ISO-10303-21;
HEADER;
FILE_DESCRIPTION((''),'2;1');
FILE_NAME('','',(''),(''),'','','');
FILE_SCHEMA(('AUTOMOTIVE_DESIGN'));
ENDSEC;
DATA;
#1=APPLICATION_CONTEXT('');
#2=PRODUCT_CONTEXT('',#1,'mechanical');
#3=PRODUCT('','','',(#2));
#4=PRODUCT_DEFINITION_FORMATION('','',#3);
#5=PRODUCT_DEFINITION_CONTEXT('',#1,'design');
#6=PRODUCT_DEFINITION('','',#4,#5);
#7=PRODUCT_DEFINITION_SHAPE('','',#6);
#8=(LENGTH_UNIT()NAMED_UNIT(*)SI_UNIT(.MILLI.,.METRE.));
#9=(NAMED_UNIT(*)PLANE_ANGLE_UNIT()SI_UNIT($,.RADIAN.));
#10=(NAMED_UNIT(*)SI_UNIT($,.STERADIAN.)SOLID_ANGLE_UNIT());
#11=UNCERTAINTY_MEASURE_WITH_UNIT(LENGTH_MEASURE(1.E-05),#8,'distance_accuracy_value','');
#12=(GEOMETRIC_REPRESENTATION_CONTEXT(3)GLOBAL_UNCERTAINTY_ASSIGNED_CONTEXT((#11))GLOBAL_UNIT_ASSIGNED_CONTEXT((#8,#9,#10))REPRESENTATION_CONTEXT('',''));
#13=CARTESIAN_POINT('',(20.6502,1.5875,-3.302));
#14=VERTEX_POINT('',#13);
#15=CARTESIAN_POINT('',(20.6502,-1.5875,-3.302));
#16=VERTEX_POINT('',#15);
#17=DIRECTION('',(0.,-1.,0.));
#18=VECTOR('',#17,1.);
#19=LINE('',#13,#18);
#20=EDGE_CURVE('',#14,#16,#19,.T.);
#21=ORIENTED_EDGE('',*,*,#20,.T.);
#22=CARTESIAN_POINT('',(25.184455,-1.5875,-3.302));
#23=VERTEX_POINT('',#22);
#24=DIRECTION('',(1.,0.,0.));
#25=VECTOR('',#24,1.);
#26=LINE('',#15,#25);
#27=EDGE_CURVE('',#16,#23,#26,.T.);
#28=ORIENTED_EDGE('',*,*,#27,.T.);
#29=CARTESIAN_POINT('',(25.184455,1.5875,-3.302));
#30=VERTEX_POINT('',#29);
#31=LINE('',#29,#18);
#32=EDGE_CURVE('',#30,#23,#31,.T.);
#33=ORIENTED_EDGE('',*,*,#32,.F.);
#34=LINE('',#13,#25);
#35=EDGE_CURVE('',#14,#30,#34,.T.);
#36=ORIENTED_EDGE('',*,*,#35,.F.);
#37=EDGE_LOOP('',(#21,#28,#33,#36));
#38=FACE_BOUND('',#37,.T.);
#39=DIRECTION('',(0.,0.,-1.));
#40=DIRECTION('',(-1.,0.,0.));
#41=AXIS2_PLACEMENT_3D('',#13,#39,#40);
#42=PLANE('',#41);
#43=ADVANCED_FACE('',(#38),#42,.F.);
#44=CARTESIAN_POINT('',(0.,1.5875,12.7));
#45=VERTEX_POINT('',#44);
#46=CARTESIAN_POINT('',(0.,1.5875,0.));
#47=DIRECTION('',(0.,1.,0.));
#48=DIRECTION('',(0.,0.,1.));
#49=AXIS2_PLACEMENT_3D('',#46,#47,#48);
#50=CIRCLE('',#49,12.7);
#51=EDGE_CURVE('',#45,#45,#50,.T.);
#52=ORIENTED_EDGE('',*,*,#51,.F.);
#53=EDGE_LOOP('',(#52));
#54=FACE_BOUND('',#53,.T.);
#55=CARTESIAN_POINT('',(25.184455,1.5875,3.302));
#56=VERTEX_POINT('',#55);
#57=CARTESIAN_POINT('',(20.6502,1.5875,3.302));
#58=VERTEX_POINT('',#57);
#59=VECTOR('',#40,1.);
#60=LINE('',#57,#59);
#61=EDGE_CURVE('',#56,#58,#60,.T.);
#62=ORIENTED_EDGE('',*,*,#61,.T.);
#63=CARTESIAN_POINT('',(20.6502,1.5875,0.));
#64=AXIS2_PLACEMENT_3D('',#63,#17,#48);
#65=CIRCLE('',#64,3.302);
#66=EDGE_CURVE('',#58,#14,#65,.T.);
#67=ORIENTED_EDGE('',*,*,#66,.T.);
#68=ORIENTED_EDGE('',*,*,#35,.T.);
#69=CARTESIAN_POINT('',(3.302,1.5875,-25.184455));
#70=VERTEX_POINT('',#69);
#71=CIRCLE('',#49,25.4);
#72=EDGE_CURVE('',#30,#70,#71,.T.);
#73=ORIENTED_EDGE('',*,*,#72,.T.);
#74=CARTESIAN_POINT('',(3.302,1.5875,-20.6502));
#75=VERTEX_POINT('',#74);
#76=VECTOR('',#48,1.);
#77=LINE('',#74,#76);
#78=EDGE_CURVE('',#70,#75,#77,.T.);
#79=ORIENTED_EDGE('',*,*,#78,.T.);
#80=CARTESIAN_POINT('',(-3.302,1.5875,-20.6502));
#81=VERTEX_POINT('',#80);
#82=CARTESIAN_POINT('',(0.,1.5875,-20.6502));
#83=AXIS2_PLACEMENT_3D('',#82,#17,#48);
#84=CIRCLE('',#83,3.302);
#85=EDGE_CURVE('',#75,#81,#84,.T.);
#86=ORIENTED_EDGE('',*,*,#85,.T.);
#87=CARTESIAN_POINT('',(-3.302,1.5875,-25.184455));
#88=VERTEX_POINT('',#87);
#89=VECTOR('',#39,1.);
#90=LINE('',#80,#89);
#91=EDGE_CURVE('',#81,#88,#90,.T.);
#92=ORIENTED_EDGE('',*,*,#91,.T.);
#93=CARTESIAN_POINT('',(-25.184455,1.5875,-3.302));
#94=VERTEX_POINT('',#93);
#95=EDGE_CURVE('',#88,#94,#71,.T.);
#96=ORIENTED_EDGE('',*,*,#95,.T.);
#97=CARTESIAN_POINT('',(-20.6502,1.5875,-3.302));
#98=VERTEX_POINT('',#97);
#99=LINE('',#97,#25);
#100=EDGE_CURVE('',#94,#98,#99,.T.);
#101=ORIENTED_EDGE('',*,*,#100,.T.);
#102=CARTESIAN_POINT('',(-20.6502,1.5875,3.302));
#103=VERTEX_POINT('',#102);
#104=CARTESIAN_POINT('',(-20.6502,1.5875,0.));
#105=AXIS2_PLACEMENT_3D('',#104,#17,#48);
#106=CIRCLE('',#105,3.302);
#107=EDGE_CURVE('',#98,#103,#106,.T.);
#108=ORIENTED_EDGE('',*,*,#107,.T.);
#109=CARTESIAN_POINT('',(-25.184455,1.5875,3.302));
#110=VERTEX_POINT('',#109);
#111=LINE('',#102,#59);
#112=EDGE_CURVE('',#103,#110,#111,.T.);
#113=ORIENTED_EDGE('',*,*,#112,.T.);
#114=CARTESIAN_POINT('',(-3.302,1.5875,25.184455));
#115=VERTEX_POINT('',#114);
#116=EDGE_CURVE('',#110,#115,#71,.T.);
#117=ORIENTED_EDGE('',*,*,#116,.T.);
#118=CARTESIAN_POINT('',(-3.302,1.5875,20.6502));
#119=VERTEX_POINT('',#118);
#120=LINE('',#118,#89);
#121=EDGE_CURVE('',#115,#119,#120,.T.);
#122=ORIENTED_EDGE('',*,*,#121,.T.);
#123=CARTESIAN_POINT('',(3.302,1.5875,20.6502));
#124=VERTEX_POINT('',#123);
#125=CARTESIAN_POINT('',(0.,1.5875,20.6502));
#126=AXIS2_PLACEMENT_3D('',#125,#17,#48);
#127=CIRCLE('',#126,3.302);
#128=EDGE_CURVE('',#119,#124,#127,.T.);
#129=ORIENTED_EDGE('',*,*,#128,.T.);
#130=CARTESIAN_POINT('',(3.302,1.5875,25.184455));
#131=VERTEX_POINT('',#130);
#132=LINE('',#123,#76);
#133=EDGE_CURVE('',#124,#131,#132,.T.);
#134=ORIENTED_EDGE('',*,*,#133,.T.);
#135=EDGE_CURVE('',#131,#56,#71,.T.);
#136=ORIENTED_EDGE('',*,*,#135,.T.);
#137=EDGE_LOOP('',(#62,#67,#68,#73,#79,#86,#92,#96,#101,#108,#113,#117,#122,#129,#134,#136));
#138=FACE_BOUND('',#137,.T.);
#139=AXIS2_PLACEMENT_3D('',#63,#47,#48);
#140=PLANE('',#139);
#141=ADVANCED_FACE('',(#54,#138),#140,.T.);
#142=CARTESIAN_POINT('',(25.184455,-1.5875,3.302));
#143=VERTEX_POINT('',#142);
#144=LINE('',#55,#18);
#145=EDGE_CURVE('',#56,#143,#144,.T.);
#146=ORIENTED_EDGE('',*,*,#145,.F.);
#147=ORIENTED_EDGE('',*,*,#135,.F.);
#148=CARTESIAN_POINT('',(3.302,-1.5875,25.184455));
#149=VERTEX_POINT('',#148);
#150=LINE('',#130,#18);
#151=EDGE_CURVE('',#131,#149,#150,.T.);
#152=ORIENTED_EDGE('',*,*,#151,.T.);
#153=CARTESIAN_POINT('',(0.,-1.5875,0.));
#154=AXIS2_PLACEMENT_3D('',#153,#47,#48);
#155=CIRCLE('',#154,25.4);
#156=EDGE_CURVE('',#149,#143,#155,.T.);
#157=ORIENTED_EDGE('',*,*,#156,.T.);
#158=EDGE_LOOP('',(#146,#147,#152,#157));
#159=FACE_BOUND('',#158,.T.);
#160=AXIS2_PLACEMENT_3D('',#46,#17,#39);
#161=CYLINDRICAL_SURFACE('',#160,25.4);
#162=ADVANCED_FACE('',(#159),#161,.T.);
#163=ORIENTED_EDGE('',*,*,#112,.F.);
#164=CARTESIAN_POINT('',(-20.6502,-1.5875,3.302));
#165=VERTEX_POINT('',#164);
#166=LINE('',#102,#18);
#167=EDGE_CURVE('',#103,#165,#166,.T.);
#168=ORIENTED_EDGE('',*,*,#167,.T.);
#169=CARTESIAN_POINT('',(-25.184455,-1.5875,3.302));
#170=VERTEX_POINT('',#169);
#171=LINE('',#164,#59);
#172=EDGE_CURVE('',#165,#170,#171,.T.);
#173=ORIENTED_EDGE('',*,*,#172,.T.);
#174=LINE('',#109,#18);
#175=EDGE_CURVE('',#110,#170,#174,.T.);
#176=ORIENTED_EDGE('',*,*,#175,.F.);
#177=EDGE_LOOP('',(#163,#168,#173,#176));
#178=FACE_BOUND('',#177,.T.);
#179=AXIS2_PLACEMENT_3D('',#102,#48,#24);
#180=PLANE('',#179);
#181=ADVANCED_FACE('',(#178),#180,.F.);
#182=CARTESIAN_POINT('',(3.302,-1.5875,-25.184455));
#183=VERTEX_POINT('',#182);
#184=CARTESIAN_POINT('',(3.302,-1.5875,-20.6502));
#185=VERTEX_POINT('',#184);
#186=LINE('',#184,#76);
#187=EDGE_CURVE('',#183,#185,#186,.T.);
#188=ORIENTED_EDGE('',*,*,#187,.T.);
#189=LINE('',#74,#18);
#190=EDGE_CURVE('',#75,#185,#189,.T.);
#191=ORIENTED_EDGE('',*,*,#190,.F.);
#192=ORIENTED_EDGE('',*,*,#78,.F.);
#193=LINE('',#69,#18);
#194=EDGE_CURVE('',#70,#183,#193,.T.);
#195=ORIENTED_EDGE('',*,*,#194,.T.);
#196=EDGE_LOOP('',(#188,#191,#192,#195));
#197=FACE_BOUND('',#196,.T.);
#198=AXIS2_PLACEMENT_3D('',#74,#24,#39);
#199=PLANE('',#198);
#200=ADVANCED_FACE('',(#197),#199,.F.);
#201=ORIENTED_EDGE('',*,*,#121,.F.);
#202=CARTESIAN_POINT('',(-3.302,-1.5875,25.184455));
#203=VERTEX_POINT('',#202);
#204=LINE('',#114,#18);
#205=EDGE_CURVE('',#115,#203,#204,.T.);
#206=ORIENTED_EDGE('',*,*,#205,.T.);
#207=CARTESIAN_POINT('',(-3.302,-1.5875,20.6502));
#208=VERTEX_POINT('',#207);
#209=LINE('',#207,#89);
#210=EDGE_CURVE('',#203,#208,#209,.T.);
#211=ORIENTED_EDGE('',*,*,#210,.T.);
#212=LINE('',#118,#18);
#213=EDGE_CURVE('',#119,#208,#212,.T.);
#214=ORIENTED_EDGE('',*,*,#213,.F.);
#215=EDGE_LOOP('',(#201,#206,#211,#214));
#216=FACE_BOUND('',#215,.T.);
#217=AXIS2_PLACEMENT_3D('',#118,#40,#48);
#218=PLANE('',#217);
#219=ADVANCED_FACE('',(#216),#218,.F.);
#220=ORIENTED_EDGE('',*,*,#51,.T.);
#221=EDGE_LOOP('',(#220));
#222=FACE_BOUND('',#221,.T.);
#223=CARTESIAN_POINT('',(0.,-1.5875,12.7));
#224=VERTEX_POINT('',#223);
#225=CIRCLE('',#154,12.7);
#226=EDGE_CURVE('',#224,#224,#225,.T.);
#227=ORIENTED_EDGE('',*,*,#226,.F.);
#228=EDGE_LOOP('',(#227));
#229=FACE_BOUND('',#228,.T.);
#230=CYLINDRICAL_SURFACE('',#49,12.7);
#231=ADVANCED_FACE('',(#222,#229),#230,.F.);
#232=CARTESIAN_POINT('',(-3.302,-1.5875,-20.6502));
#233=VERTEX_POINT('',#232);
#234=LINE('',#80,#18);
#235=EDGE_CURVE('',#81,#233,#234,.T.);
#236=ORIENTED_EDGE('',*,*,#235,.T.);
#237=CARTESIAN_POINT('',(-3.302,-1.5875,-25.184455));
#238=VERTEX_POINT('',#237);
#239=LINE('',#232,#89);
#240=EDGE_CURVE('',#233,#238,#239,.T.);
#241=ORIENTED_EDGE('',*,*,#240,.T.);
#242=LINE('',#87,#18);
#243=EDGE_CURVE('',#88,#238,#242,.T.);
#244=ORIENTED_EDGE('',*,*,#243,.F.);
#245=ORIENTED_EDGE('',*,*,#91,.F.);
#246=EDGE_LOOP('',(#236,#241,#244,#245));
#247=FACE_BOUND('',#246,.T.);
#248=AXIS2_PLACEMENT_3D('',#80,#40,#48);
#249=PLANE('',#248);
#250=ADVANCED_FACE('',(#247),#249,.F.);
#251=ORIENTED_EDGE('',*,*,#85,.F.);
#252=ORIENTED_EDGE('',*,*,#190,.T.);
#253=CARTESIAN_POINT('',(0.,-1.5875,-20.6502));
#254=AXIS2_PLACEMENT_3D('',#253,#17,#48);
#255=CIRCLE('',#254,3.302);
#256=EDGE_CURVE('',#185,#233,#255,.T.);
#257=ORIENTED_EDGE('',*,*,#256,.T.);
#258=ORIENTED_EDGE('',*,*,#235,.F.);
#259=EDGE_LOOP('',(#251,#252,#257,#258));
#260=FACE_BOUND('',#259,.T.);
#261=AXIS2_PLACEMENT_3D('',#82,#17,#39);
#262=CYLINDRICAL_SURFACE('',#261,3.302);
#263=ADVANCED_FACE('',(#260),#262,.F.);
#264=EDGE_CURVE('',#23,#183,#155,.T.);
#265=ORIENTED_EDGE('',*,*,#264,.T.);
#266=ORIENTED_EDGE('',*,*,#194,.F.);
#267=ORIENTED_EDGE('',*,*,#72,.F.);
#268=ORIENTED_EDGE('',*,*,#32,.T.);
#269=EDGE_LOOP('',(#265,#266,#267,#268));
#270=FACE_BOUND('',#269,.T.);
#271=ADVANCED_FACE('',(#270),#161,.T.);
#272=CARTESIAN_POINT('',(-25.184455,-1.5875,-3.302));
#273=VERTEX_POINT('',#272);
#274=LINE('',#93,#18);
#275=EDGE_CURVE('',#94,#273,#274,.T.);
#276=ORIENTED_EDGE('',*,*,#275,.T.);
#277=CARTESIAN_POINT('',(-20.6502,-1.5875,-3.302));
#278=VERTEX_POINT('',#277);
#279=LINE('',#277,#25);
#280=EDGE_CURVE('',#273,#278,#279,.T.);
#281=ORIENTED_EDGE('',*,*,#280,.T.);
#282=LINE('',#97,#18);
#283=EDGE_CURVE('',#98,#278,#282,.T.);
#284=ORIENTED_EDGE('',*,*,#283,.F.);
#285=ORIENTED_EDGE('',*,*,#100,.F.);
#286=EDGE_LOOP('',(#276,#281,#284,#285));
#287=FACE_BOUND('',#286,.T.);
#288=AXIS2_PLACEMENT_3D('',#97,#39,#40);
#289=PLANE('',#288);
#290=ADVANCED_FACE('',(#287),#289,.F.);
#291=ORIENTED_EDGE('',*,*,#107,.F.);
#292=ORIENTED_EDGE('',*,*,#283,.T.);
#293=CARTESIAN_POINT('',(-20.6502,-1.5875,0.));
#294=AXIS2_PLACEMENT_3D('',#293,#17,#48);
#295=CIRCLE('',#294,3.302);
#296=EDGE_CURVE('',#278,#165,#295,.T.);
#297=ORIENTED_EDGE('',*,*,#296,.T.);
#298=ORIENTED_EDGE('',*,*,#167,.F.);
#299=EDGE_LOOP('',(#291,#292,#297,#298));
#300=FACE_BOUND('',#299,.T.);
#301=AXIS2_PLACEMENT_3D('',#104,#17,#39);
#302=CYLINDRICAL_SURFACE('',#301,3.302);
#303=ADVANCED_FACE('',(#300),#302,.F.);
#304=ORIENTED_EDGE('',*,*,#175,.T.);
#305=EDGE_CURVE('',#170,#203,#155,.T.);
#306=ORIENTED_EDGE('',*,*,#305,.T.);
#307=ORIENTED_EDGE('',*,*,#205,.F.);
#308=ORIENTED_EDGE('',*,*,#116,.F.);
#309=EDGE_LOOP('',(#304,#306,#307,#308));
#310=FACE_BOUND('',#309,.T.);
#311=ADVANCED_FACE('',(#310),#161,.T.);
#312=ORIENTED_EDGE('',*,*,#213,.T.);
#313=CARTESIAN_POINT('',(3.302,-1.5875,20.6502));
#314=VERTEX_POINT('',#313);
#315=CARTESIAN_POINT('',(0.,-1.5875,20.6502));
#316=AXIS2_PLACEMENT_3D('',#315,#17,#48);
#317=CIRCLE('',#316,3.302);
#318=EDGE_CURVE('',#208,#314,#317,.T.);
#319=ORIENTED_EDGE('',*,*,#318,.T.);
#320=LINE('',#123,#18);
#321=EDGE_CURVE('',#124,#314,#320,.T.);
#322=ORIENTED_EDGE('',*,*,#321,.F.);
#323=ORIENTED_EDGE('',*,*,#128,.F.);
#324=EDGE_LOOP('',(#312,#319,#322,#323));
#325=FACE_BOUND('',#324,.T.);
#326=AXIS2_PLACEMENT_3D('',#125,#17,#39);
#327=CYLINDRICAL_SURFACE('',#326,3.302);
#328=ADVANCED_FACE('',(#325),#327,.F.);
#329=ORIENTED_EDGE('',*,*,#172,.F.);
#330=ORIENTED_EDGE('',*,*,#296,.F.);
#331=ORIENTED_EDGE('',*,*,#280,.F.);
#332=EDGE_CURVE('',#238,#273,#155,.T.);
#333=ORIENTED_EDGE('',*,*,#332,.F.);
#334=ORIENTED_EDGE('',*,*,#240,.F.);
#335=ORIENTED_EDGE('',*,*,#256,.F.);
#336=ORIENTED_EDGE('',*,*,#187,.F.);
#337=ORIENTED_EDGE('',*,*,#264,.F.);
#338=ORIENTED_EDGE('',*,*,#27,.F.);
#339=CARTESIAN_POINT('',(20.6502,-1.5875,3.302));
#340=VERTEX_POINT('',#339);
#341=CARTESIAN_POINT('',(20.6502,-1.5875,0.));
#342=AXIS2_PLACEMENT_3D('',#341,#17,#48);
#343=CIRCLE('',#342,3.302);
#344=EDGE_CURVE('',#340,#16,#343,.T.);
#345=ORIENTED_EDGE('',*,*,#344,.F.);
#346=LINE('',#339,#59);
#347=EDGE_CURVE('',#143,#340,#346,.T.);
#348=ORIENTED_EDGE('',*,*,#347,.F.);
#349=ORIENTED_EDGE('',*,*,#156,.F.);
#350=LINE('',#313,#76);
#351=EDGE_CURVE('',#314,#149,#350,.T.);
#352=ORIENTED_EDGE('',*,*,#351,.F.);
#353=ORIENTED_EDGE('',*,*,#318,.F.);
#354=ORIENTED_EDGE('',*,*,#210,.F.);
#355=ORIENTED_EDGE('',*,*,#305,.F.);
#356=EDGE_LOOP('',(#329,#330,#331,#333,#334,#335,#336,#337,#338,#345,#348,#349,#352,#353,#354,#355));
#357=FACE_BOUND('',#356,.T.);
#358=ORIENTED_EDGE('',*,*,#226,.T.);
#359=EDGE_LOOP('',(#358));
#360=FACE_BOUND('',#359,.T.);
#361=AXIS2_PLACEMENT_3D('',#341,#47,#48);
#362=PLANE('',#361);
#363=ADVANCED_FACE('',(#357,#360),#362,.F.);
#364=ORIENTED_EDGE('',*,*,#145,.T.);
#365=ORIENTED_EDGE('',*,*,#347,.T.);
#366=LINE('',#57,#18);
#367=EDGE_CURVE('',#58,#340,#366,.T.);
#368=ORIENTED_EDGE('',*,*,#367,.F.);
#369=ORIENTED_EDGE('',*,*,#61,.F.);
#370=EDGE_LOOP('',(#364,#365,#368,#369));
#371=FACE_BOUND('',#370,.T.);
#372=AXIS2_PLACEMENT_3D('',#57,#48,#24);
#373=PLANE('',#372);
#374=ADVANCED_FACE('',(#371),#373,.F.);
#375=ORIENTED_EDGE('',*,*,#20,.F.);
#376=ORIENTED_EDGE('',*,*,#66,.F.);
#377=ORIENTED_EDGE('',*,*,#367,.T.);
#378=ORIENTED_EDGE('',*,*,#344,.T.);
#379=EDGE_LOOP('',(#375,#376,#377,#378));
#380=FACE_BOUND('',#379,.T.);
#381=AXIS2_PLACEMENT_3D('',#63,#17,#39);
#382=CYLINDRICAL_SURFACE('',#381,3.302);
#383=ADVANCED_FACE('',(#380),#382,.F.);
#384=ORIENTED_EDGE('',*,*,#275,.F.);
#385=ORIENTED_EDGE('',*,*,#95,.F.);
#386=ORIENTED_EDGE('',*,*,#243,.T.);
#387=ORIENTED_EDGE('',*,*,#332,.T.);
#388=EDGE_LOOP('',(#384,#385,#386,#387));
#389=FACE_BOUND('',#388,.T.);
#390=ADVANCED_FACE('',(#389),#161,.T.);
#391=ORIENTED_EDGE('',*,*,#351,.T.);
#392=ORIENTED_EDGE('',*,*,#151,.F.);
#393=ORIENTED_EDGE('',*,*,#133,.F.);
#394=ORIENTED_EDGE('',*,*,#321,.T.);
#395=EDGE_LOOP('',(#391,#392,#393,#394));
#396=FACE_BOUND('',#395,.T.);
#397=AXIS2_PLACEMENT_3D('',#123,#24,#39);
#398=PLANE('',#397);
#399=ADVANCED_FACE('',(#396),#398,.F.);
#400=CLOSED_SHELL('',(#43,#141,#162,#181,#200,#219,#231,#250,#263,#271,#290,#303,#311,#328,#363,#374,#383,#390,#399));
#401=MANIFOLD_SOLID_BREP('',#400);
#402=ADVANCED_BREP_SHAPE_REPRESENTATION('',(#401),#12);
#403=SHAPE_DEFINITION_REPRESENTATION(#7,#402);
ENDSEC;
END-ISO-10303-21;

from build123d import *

# Parameters (mm, degrees)
BOSS_EXTRUDE1_DEPTH = 1.5875
HOLE1_D             = 25.4


with BuildPart() as part:
    # Sketch2 → Boss-Extrude1 (new, symmetric)
    with BuildSketch(Plane(origin=(0, 0, 0), x_dir=(1, 0, 0), z_dir=(0, 1, 0))):
        with BuildLine():
            Line((20.6502, 3.302), (25.184455444, 3.302))
            ThreePointArc((25.184455444, 3.302), (17.960512242, 17.960512242), (3.302, 25.184455444))
            Line((3.302, 25.184455444), (3.302, 20.6502))
            ThreePointArc((3.302, 20.6502), (0, 17.3482), (-3.302, 20.6502))
            Line((-3.302, 20.6502), (-3.302, 25.184455444))
            ThreePointArc((-3.302, 25.184455444), (-17.960512242, 17.960512242), (-25.184455444, 3.302))
            Line((-25.184455444, 3.302), (-20.6502, 3.302))
            ThreePointArc((-20.6502, 3.302), (-17.3482, 0), (-20.6502, -3.302))
            Line((-20.6502, -3.302), (-25.184455444, -3.302))
            ThreePointArc((-25.184455444, -3.302), (-17.960512242, -17.960512242), (-3.302, -25.184455444))
            Line((-3.302, -25.184455444), (-3.302, -20.6502))
            ThreePointArc((-3.302, -20.6502), (0, -17.3482), (3.302, -20.6502))
            Line((3.302, -20.6502), (3.302, -25.184455444))
            ThreePointArc((3.302, -25.184455444), (17.960512242, -17.960512242), (25.184455444, -3.302))
            Line((25.184455444, -3.302), (20.6502, -3.302))
            ThreePointArc((20.6502, -3.302), (17.3482, 0), (20.6502, 3.302))
        make_face()
    extrude(amount=BOSS_EXTRUDE1_DEPTH, both=True)

    # Hole1 (through all)
    with Locations(Plane(origin=(0, 1.5875, 0), x_dir=(1, 0, 0), z_dir=(0, 1, 0))):
        with Locations((0, 0)):
            Hole(HOLE1_D / 2)


solid = part.part
